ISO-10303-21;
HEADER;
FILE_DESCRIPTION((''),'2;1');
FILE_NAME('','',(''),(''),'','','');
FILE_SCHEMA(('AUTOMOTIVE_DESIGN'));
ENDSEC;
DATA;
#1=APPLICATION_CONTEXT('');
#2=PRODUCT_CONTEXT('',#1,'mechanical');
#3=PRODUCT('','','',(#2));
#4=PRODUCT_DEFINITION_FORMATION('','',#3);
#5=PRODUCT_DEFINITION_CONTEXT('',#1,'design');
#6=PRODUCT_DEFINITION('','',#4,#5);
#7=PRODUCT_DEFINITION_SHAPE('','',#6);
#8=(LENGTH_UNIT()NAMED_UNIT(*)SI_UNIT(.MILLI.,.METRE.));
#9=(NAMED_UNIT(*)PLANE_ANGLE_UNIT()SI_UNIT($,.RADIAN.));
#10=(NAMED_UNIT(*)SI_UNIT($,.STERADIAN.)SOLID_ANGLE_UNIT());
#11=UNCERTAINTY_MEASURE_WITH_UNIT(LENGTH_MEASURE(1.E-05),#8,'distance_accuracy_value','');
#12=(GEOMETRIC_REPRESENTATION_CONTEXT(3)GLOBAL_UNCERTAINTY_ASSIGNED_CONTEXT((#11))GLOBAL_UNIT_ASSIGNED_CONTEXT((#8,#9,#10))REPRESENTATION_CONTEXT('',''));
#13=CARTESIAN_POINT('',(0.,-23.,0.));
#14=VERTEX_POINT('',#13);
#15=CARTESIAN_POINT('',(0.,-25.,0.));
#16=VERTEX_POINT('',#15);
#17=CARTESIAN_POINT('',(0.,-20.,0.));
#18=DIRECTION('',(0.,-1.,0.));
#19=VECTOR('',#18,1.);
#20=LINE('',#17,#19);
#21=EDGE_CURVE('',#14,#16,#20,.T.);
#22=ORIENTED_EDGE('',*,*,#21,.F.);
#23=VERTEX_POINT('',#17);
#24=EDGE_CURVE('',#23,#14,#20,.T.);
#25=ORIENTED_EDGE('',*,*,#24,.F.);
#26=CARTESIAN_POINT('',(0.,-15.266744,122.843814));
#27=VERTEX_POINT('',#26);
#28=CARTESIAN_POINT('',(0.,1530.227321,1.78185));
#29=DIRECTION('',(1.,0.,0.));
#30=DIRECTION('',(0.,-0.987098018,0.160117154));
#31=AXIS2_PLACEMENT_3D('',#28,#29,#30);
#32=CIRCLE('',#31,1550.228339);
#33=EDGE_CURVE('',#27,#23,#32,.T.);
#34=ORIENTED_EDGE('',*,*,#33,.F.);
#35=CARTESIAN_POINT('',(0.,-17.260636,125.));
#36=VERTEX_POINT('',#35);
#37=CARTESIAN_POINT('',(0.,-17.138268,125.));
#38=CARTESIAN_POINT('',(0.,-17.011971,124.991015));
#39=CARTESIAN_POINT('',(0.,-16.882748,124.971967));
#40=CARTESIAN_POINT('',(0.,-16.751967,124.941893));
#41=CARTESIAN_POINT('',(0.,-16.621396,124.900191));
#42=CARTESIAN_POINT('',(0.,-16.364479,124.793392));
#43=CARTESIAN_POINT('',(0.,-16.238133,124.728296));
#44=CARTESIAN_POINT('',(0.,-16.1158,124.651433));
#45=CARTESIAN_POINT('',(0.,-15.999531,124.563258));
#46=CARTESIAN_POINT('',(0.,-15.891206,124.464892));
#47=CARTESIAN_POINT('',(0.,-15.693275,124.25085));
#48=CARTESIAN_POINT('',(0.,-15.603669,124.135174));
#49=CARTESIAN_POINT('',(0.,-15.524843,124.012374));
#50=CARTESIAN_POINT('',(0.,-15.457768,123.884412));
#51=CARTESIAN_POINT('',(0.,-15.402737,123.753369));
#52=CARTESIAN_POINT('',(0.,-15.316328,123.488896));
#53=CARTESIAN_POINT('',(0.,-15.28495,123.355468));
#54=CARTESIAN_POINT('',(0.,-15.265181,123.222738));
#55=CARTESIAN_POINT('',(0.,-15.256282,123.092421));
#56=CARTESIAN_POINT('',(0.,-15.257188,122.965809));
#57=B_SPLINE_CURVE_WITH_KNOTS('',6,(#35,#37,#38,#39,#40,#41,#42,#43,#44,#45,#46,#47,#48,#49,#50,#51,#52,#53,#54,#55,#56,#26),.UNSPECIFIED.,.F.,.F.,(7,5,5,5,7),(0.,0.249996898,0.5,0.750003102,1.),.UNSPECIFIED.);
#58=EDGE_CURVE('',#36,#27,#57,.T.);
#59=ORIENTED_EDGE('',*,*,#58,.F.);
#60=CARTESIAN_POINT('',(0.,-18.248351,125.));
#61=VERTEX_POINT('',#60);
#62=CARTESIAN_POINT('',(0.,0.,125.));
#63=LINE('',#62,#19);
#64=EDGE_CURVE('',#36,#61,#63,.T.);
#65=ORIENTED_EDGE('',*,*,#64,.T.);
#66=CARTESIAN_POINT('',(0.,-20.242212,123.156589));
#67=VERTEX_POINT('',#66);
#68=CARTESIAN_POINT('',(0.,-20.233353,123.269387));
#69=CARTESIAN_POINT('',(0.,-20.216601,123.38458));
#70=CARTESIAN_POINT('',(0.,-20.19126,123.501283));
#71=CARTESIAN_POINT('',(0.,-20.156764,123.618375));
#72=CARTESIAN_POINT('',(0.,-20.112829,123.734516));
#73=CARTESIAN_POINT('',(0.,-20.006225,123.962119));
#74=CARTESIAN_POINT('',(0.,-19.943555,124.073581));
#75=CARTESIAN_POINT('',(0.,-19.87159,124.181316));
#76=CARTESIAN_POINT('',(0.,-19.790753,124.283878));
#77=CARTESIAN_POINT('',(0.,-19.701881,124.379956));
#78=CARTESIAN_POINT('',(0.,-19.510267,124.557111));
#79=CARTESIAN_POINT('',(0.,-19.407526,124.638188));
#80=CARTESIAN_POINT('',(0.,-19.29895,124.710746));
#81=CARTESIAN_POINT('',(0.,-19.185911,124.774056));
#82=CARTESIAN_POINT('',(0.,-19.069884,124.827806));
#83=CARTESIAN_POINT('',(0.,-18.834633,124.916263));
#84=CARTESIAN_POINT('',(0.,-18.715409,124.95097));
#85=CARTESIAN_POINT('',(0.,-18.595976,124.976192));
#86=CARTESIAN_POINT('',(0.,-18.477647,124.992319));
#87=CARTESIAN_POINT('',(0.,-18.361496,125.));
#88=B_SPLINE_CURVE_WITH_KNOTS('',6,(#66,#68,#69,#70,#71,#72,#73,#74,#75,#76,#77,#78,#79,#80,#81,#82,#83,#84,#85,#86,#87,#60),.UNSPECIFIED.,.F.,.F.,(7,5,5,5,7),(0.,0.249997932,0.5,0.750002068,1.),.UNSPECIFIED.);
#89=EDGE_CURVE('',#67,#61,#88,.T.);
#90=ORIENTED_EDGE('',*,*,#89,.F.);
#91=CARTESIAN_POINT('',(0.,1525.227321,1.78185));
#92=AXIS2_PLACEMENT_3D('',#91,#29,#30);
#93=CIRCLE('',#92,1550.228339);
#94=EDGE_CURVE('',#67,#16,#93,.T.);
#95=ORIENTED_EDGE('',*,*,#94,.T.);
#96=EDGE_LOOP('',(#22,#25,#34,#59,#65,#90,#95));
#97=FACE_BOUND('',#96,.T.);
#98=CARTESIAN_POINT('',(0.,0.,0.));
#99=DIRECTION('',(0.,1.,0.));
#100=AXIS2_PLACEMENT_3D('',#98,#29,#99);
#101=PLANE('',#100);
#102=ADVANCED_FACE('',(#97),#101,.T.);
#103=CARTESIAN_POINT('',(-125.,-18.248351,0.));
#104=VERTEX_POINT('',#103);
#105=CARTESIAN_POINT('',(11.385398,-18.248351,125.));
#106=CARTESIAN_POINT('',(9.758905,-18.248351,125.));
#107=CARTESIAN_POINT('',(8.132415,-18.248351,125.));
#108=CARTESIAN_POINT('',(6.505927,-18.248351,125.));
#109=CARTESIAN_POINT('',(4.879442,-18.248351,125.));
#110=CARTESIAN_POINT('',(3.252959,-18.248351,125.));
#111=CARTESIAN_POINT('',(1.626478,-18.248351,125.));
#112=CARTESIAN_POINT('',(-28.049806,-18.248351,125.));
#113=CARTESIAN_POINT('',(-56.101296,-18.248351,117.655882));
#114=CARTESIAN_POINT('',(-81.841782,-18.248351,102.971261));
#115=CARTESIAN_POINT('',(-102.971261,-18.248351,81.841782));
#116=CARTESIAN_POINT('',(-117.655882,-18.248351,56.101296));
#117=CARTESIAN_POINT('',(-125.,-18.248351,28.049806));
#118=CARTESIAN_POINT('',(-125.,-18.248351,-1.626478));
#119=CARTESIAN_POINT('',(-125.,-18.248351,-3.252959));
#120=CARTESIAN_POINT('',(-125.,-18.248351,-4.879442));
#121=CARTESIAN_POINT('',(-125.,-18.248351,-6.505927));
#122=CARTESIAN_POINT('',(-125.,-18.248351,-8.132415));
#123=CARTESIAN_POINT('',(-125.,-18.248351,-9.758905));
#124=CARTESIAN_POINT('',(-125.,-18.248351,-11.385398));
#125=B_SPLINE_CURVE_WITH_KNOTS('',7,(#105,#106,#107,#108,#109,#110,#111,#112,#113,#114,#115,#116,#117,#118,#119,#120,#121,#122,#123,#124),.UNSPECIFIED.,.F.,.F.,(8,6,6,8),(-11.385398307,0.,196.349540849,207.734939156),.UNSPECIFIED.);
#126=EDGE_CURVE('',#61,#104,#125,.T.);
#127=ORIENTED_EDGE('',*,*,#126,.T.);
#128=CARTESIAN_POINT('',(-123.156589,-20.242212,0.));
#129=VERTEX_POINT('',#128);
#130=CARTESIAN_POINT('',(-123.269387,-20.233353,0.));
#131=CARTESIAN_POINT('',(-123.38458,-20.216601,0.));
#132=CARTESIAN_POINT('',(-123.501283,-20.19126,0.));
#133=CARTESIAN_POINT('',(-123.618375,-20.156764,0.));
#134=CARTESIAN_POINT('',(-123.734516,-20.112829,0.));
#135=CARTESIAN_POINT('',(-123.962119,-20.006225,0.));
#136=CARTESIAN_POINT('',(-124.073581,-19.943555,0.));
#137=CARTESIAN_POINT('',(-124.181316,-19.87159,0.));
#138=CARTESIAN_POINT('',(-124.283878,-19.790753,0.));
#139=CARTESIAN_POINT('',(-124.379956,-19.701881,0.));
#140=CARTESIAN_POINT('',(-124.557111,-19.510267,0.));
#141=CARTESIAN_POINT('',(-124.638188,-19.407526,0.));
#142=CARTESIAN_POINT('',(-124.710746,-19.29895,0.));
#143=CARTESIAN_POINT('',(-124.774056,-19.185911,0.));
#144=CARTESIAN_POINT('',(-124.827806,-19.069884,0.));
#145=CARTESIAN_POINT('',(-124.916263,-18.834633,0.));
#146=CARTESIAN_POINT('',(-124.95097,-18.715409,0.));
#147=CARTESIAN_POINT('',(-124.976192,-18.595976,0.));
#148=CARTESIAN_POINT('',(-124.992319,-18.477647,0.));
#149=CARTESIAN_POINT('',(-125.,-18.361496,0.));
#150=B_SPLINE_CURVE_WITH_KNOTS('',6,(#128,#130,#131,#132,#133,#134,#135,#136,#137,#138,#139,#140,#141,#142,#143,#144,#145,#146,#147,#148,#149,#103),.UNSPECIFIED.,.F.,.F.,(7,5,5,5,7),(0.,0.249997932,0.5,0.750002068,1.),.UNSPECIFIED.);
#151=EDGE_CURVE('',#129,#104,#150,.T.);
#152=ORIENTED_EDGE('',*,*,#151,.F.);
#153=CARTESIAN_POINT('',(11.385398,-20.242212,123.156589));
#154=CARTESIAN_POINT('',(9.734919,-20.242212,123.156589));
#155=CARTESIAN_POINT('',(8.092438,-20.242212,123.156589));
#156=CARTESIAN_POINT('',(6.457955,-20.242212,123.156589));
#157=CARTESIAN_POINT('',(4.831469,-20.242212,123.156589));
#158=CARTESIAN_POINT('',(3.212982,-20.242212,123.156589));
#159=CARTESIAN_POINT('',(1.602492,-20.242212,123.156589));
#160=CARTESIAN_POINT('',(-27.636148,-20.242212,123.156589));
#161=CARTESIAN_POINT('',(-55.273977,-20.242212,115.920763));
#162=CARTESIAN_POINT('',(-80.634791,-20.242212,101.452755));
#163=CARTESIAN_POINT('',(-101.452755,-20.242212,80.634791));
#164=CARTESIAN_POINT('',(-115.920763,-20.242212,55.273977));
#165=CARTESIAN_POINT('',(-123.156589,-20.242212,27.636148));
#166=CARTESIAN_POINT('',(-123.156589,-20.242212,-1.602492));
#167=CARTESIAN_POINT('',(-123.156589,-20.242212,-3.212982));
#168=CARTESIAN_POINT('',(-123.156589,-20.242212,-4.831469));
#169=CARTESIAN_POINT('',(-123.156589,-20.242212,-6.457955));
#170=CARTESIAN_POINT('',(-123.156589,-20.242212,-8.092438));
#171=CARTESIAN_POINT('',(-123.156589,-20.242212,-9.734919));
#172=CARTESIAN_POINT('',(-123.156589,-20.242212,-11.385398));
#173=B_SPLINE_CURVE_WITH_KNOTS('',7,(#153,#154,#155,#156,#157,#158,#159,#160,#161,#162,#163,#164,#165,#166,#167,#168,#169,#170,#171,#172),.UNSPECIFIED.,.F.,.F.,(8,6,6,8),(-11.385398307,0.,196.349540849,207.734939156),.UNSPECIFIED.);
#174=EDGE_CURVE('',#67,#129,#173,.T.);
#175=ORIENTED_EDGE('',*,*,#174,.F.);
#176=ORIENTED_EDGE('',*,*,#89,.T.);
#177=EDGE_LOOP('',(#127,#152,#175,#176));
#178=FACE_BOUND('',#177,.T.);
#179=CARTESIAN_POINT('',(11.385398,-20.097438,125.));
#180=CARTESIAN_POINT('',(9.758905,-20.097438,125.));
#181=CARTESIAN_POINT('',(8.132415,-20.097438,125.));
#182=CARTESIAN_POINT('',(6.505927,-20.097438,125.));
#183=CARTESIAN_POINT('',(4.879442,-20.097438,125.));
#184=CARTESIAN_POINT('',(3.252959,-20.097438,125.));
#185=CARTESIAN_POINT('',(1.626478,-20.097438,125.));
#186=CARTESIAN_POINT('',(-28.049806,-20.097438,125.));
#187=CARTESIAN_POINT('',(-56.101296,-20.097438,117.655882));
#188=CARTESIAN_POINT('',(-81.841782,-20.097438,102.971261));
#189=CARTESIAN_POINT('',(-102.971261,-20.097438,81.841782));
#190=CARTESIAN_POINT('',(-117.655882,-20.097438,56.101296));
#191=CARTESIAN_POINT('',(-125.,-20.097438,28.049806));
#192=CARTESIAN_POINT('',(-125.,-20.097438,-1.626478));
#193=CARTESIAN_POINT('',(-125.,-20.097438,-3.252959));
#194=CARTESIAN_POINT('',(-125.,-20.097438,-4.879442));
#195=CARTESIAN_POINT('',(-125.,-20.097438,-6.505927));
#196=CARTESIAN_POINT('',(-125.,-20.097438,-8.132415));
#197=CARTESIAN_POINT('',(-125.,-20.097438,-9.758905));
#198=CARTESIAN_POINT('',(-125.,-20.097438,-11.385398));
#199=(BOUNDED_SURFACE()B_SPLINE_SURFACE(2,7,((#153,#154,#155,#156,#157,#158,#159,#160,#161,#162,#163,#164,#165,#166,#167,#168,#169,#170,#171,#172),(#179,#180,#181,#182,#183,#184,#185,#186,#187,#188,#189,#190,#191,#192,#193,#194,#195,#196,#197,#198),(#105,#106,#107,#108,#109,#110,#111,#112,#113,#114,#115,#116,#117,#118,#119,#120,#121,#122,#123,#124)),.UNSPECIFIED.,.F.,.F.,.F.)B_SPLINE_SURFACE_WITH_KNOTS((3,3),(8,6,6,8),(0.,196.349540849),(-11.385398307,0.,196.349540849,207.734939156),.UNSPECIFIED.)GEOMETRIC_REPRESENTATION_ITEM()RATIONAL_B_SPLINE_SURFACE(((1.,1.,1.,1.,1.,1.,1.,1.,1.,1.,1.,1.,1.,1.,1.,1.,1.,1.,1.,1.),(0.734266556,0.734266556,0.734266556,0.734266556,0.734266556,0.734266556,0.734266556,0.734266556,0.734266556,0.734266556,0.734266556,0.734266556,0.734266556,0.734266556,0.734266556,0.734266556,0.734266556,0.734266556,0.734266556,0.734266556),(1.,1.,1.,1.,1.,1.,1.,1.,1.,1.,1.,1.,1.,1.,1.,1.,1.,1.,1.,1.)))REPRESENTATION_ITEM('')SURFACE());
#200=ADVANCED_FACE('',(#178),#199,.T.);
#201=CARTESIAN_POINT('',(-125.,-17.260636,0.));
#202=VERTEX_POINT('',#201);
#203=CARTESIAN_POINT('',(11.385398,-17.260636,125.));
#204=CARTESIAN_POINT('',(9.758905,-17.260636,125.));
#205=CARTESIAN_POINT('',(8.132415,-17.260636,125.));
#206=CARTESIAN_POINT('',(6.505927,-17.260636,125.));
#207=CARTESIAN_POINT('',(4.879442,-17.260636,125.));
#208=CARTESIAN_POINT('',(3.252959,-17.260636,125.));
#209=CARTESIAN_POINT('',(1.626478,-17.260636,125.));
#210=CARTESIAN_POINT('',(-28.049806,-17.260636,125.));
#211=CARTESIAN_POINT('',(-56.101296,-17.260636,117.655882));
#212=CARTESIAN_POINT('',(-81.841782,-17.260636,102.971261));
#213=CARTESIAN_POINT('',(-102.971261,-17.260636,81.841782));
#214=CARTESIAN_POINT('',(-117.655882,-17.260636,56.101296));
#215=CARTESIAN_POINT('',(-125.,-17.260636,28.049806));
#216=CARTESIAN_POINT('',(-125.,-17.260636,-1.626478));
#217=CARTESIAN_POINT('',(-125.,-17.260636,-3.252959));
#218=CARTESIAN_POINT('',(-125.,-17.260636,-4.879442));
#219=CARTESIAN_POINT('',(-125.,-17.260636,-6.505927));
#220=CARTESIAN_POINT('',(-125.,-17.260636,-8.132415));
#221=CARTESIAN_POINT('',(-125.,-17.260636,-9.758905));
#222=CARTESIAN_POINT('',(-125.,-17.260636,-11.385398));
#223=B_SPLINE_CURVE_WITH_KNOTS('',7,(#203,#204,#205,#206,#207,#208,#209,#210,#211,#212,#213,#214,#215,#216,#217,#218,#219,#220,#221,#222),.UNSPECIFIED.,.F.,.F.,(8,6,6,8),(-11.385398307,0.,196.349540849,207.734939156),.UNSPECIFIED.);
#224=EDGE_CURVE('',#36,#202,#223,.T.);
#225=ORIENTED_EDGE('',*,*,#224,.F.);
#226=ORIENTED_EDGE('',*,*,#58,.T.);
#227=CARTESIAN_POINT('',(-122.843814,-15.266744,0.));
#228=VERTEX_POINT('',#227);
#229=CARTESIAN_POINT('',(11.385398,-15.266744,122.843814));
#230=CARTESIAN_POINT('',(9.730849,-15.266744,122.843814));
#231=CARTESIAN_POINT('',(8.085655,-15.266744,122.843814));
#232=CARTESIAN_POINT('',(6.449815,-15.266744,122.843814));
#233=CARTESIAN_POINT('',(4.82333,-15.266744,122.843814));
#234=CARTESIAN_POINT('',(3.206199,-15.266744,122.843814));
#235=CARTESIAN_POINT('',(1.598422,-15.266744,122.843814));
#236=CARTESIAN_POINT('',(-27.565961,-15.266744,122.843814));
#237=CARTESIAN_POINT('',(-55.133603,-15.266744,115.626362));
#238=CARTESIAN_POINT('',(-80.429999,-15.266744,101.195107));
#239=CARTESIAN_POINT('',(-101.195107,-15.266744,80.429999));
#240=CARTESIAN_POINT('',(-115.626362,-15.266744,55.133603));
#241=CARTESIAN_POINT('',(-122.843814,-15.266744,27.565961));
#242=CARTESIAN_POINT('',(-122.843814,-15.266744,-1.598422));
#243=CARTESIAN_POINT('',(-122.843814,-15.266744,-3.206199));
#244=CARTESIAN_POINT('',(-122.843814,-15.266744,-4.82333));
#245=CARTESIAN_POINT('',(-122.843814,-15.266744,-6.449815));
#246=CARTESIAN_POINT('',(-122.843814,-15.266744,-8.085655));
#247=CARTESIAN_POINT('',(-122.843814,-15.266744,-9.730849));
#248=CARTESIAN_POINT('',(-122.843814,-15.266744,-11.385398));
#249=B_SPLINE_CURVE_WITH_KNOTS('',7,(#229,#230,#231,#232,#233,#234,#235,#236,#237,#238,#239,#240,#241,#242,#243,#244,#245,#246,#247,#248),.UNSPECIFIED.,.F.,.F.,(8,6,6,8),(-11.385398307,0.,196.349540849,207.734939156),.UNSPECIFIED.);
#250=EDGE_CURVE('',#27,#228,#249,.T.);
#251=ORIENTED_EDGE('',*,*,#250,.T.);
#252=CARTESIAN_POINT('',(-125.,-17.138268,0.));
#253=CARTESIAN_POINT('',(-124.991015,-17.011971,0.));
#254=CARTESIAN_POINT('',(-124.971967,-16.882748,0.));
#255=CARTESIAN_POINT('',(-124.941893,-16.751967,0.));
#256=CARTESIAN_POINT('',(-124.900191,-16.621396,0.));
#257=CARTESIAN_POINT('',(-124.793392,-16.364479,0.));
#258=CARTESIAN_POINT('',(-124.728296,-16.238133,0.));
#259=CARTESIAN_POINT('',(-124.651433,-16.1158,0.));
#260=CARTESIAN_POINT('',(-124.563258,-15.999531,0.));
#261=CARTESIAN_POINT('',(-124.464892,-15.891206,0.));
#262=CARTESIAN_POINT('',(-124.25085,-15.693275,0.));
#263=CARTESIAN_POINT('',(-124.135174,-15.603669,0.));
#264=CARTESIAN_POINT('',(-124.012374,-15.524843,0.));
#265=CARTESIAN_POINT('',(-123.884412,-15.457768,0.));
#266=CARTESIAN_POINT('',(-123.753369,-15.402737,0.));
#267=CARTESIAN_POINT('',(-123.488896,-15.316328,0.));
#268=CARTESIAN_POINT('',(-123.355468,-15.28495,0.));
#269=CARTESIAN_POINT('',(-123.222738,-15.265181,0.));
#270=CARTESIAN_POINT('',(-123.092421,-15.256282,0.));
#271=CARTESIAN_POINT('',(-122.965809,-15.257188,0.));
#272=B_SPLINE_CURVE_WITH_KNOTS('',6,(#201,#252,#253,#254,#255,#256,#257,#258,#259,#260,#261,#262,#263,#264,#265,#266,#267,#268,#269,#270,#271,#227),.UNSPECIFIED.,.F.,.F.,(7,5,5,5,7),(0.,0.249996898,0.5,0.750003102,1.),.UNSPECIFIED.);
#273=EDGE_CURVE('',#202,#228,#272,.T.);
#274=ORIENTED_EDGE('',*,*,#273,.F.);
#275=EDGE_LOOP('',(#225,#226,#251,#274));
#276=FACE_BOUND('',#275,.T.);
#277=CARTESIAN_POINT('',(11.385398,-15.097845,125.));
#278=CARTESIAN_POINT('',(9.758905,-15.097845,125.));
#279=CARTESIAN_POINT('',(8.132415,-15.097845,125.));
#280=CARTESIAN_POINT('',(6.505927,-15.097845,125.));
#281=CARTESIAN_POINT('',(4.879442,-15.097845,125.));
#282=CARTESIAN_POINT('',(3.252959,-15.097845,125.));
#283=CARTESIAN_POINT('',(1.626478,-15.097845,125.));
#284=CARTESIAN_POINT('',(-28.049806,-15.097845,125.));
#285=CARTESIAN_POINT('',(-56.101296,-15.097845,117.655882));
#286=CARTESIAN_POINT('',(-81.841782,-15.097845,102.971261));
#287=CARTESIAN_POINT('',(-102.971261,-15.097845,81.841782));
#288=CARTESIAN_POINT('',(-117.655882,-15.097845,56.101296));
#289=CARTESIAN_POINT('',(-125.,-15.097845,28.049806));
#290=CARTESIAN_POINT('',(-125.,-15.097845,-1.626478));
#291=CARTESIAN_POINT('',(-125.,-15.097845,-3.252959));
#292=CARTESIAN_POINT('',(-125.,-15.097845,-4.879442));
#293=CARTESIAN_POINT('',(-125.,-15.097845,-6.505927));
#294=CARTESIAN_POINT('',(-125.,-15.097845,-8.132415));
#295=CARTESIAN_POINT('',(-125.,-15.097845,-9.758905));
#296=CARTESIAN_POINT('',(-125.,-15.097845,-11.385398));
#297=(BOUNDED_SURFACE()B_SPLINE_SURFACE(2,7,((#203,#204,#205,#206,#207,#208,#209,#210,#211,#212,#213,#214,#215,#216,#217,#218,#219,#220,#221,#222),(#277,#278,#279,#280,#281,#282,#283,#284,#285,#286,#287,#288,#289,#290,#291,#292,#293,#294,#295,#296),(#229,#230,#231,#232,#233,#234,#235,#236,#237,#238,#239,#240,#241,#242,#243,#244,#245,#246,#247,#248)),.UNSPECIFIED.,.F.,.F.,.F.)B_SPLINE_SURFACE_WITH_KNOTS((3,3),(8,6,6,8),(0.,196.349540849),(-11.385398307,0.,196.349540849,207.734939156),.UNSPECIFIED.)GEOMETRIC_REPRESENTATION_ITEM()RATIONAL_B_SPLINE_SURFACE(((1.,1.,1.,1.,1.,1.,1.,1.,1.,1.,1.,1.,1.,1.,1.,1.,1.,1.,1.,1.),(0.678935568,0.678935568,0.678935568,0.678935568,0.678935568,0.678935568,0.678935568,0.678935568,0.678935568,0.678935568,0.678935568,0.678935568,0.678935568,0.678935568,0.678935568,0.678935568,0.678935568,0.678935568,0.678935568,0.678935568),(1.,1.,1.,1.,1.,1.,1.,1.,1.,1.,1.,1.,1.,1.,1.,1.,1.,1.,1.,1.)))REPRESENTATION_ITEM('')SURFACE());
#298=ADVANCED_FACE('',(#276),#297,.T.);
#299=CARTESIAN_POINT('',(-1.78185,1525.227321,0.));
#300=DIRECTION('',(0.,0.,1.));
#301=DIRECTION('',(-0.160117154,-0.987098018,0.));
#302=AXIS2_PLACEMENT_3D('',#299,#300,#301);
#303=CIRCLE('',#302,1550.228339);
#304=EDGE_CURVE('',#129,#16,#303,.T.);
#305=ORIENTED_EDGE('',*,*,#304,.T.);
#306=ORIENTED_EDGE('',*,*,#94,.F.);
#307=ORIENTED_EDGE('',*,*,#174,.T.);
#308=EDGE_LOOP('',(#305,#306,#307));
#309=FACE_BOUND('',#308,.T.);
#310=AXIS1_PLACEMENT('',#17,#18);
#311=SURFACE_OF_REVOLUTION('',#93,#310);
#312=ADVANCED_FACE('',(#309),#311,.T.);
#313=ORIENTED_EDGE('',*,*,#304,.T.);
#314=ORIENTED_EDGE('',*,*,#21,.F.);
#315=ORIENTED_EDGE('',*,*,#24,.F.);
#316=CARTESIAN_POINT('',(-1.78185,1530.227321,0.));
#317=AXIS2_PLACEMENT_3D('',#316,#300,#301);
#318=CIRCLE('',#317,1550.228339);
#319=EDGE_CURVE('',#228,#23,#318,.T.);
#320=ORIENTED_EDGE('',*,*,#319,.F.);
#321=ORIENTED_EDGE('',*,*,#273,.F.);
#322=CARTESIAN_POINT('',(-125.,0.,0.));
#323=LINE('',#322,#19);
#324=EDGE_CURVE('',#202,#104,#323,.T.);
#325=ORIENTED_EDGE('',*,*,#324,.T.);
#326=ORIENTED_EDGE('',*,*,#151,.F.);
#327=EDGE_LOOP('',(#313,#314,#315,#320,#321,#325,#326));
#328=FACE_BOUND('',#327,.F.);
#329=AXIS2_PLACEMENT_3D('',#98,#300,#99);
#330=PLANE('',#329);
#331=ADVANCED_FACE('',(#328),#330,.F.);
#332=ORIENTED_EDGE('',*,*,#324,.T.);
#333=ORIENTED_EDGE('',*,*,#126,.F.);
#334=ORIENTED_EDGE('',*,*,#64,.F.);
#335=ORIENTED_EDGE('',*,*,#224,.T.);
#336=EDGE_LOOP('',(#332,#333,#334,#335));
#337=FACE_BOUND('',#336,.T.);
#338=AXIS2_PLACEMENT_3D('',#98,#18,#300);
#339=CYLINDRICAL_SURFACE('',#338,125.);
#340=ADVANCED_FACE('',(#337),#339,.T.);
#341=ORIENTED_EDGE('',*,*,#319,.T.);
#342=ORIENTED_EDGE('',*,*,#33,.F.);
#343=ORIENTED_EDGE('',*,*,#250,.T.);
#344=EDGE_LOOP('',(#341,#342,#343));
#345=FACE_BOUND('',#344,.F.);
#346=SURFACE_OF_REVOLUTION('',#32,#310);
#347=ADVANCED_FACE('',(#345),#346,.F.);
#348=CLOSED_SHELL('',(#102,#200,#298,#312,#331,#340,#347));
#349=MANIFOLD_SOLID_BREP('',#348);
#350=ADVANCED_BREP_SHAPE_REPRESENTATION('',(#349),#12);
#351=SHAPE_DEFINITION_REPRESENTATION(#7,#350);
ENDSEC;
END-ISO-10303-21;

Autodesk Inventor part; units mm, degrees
ref_plane "YZ Plane" through (0, 0, 0) normal (1, 0, 0) x (0, 1, 0)
ref_plane "XZ Plane" through (0, 0, 0) normal (0, 1, 0) x (-1, 0, 0)
ref_plane "XY Plane" through (0, 0, 0) normal (0, 0, 1) x (1, 0, 0)
sketch "Boceto1" plane through (0, 0, 0) normal (1, 0, 0) x (0, 1, 0)
  line L0 (0, 0) -> (0, 125)
  line L1 (0, 0) -> (125, 0) construction
  line L2 (0, 0) -> (0, -125)
  line L3 (0, 0) -> (125, 0) construction
  line L4 (0, 0) -> (-20, 0)
  line L5 (0, 0) -> (20, 0) construction
  line L6 (0, 0) -> (500, 0) construction
  line L7 (0, 0) -> (-20, 0)
  line L8 (0, 0) -> (20, 0) construction
  line L9 (0, 0) -> (0, -246.4363)
  line L10 (0, 0) -> (246.4363, 0) construction
  line L11 (0, 0) -> (0, 250)
  line L12 (0, 0) -> (250, 0) construction
  arc A0 (0, 250) -> (0, -246.4363) centre (1530.2267, 1.7819) ccw
  line L13 (0, 125) -> (-100, 125)
  line L14 (0, 125) -> (100, 125) construction
  line L15 (0, 250) -> (-5, 250)
  line L16 (0, 250) -> (5, 250) construction
  line L17 (0, -246.4363) -> (-5, -246.4363)
  line L18 (-20, 0) -> (-23, 0)
  line L19 (-20, 0) -> (-17, 0) construction
  line L20 (-20, 0) -> (-25, 0)
  line L21 (-20, 0) -> (-15, 0) construction
  arc A1 (-5, 250) -> (-5, -246.4363) centre (1525.2267, 1.7819) ccw
  point P0 (-20.0963, 125)
  point P1 (-15.0963, 125)
  dimension "d14" = 100
  dimension "d15" = 180
  dimension "d16" = 5
  dimension "d17" = 180
  dimension "d18" = 5
  dimension "d19" = 3
  dimension "d20" = 180
  dimension "d21" = 5
  dimension "d22" = 180
revolve "Revolución1" add sketch "Boceto1" angle 90 about axis through (0, -20, 0) along (0, -1, 0) contours L18 L20 A1 L13 A0
fillet "Empalme1" radius 2 2 edges at (-88.3883, -15.0963, 88.3883) (-88.3883, -20.0963, 88.3883)
